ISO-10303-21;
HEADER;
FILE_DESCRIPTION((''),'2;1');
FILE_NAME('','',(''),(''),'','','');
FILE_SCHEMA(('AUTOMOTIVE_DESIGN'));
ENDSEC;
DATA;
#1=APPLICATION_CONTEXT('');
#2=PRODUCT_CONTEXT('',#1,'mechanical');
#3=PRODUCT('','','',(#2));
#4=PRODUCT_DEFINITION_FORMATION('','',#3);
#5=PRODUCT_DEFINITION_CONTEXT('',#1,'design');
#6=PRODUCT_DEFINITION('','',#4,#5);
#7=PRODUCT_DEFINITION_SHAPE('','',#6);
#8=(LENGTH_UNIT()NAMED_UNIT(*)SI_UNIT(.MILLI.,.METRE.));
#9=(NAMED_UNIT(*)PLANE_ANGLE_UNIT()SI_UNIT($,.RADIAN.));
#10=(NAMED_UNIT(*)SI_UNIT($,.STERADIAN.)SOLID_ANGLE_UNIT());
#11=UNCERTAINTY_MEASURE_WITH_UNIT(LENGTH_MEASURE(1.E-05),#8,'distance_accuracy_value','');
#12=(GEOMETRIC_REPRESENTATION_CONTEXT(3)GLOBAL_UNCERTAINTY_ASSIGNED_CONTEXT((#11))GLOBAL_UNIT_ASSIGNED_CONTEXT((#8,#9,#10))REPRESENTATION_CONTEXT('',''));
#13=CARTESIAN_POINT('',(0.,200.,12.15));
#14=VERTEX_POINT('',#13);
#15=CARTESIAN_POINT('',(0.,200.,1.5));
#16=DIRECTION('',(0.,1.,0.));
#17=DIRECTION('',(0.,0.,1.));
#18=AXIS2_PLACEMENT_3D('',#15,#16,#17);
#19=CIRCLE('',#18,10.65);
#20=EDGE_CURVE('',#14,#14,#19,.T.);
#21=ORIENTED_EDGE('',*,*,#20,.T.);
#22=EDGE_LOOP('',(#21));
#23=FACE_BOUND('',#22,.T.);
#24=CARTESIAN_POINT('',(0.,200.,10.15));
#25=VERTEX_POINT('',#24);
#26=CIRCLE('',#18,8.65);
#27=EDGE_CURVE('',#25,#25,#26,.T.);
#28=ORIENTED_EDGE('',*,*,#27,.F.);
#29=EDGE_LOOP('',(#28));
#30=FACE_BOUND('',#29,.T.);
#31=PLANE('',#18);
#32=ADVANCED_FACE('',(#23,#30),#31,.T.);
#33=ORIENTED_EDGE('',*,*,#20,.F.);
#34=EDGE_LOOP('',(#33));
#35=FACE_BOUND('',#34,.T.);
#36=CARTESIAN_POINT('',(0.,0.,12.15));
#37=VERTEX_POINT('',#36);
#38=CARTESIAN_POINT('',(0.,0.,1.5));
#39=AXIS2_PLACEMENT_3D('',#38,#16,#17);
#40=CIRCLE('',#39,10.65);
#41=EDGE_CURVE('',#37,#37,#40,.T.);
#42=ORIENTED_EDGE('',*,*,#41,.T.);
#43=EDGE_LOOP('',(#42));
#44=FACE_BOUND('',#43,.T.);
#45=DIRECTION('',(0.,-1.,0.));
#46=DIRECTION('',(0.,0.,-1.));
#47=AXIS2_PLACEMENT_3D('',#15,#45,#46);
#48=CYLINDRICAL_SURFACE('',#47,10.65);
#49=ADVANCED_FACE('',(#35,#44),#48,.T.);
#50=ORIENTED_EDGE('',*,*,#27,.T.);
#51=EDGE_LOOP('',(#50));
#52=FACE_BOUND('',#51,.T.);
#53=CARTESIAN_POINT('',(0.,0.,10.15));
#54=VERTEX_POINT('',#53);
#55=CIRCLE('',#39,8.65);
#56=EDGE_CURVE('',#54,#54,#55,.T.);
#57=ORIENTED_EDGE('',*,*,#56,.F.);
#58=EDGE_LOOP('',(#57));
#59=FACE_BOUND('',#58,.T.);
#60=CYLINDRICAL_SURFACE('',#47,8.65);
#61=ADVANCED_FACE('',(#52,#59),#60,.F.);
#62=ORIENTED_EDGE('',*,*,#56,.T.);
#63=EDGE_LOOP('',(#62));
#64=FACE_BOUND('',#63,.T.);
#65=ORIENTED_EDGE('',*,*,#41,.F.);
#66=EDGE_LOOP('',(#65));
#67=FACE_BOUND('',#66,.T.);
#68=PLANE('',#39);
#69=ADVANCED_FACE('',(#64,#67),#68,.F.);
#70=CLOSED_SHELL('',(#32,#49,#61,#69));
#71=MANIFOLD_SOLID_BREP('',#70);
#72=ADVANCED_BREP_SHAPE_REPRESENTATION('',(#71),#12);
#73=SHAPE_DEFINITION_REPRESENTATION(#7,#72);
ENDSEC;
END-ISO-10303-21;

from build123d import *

# Parameters (mm, degrees)
SKETCH_1_R      = 10.65
SKETCH_1_R_2    = 8.65
EXTRUDE_1_DEPTH = 200


with BuildPart() as part:
    # Эскиз1 → Бобышка-Вытянуть1 (new body)
    with BuildSketch(Plane(origin=(0, 0, 0), x_dir=(1, 0, 0), z_dir=(0, 1, 0))):
        with Locations(Location((0, -1.5, 0), (0, 0, 270))):
            Circle(SKETCH_1_R)
        with Locations(Location((0, -1.5, 0), (0, 0, 270))):
            Circle(SKETCH_1_R_2, mode=Mode.SUBTRACT)
    extrude(amount=EXTRUDE_1_DEPTH)


solid = part.part
